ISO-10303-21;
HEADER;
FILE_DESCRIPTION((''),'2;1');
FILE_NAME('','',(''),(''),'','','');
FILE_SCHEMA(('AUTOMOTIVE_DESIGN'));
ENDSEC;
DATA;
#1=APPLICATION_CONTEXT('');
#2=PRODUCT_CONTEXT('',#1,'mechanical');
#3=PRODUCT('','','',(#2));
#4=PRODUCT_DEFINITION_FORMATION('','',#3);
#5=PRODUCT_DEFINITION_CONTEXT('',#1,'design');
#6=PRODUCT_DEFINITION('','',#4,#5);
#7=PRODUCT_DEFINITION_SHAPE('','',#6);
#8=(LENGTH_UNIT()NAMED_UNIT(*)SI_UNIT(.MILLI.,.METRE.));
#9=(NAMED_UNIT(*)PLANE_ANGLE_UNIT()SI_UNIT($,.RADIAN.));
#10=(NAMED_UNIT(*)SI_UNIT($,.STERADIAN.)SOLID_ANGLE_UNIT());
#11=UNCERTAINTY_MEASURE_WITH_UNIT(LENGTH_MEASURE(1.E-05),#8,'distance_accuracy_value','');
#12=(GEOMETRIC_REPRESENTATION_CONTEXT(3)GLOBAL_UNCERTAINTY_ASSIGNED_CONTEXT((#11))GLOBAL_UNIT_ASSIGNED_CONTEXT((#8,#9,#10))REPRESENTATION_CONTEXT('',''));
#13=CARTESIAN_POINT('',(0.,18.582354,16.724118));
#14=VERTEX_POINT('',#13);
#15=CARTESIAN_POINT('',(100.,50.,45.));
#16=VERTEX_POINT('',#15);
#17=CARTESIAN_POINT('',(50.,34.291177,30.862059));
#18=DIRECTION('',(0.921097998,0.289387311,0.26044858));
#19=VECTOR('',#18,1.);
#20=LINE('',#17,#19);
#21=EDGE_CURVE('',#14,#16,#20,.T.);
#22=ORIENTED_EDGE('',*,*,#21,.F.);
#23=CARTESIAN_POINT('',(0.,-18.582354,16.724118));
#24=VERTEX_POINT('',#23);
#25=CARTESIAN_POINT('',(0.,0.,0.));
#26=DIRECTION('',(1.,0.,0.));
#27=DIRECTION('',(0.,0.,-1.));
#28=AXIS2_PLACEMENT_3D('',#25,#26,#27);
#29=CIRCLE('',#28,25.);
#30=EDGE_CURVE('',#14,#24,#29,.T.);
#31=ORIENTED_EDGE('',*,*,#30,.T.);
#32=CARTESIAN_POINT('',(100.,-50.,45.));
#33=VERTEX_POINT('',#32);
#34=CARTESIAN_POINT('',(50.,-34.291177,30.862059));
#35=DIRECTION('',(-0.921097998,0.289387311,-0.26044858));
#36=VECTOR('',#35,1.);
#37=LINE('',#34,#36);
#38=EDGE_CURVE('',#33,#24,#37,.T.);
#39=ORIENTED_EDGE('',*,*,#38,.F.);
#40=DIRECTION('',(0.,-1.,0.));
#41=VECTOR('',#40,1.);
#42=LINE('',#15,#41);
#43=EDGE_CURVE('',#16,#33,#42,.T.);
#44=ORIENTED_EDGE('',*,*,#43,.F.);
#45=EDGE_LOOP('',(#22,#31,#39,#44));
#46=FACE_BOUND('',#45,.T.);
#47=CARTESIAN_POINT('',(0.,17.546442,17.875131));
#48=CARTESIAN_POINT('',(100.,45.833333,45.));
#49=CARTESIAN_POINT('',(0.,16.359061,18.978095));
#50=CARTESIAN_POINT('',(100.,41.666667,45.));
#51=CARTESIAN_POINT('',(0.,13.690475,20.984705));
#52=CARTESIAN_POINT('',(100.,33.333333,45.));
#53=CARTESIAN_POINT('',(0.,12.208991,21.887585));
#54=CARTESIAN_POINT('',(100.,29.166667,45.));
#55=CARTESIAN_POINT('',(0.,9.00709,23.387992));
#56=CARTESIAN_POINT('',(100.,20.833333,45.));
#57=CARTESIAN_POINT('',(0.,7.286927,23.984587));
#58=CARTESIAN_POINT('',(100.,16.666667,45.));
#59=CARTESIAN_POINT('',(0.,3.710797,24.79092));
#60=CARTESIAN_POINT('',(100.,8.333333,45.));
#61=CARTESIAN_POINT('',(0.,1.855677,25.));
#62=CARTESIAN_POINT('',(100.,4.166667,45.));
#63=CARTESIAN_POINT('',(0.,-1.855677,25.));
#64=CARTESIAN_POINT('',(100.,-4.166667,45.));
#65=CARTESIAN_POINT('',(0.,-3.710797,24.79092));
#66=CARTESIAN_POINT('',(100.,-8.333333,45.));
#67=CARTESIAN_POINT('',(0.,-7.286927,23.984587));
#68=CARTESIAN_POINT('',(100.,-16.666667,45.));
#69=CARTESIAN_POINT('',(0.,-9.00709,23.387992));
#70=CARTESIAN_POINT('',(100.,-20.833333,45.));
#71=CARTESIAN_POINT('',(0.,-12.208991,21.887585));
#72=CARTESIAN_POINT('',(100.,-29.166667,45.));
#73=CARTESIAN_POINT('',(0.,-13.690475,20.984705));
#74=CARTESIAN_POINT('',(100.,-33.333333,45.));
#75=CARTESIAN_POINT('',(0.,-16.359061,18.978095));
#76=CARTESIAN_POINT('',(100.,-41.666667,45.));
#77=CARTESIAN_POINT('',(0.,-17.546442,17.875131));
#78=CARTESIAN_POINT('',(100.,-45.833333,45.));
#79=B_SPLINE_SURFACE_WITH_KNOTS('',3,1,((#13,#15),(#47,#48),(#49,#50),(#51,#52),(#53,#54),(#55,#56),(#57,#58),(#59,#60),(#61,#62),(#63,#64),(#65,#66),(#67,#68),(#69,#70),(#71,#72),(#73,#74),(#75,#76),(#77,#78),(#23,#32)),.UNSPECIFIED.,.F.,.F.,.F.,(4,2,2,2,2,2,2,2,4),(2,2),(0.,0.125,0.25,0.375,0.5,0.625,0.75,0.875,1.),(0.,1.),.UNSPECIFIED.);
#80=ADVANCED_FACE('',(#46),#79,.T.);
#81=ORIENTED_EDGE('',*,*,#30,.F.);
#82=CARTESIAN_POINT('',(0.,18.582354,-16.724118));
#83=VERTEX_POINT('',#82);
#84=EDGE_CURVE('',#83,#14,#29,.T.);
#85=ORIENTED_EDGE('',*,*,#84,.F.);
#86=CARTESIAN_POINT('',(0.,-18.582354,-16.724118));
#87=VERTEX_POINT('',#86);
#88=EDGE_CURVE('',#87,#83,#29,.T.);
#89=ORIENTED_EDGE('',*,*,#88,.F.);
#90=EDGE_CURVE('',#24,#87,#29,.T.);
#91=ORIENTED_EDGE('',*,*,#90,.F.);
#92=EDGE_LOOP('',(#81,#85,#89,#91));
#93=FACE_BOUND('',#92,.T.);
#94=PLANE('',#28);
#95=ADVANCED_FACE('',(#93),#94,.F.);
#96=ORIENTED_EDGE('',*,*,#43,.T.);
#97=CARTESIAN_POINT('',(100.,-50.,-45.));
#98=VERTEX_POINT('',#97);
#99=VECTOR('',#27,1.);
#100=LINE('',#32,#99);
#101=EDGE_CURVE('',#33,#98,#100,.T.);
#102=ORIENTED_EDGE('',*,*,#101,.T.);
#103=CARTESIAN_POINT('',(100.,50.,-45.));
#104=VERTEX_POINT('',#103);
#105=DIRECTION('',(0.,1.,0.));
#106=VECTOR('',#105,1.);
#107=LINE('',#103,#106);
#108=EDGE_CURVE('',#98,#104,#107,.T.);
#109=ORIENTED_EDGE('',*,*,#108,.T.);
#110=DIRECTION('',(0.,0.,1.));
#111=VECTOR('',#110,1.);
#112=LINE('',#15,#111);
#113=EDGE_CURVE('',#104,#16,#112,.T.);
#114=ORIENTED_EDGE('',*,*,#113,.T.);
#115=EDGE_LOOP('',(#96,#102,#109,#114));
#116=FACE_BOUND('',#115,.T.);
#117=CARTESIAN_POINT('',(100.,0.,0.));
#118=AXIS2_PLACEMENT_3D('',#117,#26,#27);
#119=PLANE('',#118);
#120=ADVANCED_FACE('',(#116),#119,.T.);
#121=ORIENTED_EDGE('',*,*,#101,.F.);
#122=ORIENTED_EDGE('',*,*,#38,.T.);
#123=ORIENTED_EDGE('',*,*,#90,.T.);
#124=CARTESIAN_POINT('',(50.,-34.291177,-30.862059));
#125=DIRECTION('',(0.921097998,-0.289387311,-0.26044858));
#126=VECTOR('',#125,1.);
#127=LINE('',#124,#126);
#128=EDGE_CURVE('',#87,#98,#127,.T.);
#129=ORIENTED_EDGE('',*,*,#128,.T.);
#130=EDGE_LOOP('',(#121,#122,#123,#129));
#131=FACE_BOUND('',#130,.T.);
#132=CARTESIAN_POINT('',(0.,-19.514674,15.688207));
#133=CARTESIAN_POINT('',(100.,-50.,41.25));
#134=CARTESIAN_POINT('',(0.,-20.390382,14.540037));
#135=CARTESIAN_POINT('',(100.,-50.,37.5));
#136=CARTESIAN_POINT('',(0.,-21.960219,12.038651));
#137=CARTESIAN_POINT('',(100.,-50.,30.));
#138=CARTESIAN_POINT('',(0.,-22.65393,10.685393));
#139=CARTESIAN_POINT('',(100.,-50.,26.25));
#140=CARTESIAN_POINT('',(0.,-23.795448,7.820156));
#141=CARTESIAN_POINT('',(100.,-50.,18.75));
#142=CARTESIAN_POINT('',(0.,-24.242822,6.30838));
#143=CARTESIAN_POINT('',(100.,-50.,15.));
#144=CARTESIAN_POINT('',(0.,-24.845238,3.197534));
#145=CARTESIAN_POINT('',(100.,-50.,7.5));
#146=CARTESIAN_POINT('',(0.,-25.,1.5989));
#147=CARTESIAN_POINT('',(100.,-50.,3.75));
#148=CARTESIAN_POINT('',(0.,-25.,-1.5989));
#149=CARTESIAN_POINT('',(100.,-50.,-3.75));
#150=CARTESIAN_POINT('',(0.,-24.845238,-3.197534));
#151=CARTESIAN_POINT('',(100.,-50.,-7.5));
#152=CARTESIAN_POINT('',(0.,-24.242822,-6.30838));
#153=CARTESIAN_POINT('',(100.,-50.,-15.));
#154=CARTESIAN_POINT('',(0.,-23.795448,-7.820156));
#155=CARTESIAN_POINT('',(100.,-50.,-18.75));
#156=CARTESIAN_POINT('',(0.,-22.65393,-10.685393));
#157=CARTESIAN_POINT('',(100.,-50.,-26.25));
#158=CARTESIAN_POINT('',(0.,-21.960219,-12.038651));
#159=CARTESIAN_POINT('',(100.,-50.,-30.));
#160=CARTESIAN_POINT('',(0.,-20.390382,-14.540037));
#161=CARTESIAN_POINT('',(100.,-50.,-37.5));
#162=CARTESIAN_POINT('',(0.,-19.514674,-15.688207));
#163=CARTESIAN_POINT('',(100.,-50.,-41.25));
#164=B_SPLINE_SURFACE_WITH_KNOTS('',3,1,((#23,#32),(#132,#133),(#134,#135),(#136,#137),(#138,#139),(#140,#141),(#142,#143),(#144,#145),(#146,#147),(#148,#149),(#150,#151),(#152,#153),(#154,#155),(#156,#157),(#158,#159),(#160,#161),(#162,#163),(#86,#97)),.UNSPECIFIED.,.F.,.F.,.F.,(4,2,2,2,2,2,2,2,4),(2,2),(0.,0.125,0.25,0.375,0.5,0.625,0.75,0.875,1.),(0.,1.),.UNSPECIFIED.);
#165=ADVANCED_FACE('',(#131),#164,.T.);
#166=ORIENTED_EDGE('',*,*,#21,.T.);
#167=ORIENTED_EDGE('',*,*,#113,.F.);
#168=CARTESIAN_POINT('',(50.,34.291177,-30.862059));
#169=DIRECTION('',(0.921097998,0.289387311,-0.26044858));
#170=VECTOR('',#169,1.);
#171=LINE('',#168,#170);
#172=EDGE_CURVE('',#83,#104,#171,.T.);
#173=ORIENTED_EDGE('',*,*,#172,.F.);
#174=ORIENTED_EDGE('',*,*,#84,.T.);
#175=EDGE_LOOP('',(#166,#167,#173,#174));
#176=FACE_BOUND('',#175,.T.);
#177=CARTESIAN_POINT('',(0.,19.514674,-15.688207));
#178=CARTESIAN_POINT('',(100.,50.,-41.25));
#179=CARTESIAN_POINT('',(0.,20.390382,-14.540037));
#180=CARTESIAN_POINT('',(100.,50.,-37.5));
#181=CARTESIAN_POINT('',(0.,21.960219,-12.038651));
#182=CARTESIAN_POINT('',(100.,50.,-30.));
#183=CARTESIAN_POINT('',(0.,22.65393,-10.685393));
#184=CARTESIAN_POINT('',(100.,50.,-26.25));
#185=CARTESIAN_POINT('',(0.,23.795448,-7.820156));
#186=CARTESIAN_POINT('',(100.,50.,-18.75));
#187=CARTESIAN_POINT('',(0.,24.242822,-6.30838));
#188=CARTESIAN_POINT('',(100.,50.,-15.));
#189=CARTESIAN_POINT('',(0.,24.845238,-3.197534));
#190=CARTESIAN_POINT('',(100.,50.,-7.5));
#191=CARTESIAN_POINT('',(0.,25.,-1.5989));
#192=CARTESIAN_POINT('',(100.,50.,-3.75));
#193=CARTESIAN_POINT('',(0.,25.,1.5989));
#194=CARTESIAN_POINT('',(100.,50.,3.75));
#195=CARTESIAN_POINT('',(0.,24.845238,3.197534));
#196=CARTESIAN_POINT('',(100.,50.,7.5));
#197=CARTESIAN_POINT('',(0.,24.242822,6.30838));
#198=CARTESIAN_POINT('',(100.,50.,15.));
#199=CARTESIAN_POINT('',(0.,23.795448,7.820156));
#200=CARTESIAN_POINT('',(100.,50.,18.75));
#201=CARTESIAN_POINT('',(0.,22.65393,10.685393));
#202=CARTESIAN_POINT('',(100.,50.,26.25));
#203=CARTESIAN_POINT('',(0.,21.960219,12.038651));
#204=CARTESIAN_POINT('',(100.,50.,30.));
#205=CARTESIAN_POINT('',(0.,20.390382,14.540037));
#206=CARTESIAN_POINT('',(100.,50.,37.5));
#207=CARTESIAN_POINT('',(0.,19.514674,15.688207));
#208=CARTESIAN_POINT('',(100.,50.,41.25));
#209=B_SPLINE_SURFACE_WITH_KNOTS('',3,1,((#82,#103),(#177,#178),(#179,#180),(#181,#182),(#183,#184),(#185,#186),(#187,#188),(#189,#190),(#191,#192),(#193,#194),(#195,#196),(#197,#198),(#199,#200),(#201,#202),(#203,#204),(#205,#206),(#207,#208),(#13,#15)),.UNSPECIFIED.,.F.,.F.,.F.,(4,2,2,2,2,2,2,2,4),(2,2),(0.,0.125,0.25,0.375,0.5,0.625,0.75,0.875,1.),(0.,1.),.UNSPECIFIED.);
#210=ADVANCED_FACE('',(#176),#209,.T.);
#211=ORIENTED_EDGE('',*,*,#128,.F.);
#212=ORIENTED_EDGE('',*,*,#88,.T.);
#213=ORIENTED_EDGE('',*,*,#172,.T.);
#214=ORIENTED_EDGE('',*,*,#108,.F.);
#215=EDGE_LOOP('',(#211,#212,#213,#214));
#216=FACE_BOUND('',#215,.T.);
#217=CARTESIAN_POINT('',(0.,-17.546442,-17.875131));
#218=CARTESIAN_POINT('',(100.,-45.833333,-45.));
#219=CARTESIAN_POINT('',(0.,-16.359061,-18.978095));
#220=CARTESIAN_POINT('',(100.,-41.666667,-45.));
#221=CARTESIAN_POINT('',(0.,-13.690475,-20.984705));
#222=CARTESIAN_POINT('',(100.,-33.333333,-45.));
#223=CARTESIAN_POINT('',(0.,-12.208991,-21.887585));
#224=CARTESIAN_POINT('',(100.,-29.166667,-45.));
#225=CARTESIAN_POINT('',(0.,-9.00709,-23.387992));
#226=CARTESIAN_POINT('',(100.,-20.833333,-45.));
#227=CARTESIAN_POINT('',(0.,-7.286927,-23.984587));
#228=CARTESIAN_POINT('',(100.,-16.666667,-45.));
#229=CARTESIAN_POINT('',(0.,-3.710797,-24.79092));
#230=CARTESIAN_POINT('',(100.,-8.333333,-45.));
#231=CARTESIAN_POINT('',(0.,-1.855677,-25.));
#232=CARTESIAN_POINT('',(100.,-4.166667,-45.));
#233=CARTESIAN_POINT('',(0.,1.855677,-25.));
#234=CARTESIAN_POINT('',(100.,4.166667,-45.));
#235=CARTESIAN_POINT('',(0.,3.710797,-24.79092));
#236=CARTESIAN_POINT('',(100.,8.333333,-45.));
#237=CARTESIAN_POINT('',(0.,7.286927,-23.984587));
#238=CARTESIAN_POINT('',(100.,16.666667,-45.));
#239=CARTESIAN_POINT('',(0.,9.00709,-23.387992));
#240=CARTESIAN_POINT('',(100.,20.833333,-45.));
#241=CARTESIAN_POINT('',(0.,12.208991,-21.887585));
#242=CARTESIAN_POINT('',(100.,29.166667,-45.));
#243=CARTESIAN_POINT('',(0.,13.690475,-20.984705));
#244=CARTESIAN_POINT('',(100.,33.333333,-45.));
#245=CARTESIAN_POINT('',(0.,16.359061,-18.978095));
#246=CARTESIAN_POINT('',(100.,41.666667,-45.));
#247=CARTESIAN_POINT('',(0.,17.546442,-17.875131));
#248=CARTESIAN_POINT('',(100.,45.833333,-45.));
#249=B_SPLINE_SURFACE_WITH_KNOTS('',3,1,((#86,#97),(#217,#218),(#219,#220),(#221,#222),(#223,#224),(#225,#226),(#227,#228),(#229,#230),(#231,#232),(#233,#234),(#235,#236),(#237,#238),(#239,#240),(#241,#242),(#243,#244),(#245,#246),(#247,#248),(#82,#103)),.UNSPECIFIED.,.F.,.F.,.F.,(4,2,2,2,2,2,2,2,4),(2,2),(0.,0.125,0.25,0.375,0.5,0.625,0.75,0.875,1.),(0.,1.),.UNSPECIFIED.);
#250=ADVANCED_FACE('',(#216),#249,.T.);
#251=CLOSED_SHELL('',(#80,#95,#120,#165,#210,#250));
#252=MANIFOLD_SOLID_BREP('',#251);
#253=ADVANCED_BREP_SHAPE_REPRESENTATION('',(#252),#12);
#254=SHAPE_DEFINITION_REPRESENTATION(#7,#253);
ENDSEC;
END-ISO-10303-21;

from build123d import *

# Parameters (mm, degrees)
SKICA2_W = 90
SKICA2_H = 100


with BuildPart() as part:
    # Skica1 for Spojit profi → Spojit profily1 section 0
    with BuildSketch(Plane(origin=(0, 0, 0), x_dir=(0, 0, -1), z_dir=(1, 0, 0))):
        with BuildLine():
            # circular arc as an exact rational Bezier (weights 1, cos(half-angle), 1)
            Bezier((-16.724118291, 18.582353656), (0, 33.634060118), (16.724118291, 18.582353656), weights=[1, 0.743294146, 1])
            Bezier((16.724118291, 18.582353656), (37.371177907, 0), (16.724118291, -18.582353656), weights=[1, 0.668964732, 1])
            Bezier((16.724118291, -18.582353656), (0, -33.634060118), (-16.724118291, -18.582353656), weights=[1, 0.743294146, 1])
            Bezier((-16.724118291, -18.582353656), (-37.371177907, 0), (-16.724118291, 18.582353656), weights=[1, 0.668964732, 1])
        make_face()
    # Skica2 → Spojit profily1 section 1
    with BuildSketch(Plane(origin=(100, 0, 0), x_dir=(0, 0, -1), z_dir=(1, 0, 0))):
        Rectangle(SKICA2_W, SKICA2_H)
    loft()


solid = part.part
